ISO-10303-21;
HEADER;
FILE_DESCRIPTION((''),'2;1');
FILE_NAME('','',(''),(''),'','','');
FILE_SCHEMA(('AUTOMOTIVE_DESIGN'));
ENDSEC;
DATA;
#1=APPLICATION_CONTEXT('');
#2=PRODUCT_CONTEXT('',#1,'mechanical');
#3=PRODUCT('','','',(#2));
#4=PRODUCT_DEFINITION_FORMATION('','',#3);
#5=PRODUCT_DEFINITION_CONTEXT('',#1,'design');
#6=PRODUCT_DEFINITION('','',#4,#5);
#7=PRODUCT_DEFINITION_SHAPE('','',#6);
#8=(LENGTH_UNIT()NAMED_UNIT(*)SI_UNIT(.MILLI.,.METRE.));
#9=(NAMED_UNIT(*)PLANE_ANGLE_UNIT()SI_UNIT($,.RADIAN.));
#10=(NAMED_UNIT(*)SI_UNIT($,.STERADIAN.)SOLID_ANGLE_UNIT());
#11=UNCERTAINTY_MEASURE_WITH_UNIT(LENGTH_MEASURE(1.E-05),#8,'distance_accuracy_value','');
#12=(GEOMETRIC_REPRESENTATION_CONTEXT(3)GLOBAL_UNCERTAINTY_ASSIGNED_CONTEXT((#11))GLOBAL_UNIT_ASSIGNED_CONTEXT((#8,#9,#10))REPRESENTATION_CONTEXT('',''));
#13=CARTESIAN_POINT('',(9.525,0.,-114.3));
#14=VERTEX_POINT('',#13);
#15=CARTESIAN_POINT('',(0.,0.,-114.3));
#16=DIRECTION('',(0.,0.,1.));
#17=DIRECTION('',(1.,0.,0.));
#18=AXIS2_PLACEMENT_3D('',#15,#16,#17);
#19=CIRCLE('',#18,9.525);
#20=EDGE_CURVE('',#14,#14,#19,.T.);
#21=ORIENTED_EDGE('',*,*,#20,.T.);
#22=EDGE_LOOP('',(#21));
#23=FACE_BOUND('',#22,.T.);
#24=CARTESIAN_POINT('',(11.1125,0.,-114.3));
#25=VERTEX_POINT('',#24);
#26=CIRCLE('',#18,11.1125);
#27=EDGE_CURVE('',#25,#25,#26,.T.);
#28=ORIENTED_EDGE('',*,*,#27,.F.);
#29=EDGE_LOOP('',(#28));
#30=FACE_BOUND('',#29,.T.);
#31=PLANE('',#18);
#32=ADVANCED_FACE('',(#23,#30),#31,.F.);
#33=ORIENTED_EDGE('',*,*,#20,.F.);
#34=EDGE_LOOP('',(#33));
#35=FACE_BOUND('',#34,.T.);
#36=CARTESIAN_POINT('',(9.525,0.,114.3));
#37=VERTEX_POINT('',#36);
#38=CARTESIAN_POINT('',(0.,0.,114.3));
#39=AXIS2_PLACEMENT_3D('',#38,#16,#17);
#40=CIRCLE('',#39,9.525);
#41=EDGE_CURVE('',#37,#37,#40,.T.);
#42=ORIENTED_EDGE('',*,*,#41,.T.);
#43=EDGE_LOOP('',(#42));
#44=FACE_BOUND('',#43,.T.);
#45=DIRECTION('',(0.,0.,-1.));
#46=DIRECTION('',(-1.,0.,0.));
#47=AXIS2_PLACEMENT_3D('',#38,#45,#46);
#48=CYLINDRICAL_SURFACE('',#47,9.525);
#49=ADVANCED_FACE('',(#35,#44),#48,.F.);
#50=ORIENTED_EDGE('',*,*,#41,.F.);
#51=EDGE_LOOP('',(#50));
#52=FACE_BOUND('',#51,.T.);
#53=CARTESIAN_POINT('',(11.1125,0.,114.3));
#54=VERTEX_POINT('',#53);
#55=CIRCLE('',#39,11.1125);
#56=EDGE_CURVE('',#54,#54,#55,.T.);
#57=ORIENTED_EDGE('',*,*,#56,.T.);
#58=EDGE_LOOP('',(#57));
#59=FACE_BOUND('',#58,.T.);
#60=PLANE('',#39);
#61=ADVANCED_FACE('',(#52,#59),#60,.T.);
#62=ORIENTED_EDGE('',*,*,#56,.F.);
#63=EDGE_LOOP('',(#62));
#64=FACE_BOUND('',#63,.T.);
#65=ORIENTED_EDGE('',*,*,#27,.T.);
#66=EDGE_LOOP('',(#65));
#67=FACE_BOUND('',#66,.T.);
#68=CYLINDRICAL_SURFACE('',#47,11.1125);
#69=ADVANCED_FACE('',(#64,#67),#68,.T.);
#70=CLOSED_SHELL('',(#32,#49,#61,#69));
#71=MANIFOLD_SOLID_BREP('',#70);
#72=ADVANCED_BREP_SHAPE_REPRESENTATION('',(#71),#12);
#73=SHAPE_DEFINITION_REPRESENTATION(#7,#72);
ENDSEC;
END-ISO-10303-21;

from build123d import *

# Parameters (mm, degrees)
SKETCH1_R           = 11.1125
SKETCH1_R_2         = 9.525
BOSS_EXTRUDE1_DEPTH = 114.3


with BuildPart() as part:
    # Sketch1 → Boss-Extrude1 (new, symmetric)
    with BuildSketch(Plane.XY):
        Circle(SKETCH1_R)
        Circle(SKETCH1_R_2, mode=Mode.SUBTRACT)
    extrude(amount=BOSS_EXTRUDE1_DEPTH, both=True)


solid = part.part
